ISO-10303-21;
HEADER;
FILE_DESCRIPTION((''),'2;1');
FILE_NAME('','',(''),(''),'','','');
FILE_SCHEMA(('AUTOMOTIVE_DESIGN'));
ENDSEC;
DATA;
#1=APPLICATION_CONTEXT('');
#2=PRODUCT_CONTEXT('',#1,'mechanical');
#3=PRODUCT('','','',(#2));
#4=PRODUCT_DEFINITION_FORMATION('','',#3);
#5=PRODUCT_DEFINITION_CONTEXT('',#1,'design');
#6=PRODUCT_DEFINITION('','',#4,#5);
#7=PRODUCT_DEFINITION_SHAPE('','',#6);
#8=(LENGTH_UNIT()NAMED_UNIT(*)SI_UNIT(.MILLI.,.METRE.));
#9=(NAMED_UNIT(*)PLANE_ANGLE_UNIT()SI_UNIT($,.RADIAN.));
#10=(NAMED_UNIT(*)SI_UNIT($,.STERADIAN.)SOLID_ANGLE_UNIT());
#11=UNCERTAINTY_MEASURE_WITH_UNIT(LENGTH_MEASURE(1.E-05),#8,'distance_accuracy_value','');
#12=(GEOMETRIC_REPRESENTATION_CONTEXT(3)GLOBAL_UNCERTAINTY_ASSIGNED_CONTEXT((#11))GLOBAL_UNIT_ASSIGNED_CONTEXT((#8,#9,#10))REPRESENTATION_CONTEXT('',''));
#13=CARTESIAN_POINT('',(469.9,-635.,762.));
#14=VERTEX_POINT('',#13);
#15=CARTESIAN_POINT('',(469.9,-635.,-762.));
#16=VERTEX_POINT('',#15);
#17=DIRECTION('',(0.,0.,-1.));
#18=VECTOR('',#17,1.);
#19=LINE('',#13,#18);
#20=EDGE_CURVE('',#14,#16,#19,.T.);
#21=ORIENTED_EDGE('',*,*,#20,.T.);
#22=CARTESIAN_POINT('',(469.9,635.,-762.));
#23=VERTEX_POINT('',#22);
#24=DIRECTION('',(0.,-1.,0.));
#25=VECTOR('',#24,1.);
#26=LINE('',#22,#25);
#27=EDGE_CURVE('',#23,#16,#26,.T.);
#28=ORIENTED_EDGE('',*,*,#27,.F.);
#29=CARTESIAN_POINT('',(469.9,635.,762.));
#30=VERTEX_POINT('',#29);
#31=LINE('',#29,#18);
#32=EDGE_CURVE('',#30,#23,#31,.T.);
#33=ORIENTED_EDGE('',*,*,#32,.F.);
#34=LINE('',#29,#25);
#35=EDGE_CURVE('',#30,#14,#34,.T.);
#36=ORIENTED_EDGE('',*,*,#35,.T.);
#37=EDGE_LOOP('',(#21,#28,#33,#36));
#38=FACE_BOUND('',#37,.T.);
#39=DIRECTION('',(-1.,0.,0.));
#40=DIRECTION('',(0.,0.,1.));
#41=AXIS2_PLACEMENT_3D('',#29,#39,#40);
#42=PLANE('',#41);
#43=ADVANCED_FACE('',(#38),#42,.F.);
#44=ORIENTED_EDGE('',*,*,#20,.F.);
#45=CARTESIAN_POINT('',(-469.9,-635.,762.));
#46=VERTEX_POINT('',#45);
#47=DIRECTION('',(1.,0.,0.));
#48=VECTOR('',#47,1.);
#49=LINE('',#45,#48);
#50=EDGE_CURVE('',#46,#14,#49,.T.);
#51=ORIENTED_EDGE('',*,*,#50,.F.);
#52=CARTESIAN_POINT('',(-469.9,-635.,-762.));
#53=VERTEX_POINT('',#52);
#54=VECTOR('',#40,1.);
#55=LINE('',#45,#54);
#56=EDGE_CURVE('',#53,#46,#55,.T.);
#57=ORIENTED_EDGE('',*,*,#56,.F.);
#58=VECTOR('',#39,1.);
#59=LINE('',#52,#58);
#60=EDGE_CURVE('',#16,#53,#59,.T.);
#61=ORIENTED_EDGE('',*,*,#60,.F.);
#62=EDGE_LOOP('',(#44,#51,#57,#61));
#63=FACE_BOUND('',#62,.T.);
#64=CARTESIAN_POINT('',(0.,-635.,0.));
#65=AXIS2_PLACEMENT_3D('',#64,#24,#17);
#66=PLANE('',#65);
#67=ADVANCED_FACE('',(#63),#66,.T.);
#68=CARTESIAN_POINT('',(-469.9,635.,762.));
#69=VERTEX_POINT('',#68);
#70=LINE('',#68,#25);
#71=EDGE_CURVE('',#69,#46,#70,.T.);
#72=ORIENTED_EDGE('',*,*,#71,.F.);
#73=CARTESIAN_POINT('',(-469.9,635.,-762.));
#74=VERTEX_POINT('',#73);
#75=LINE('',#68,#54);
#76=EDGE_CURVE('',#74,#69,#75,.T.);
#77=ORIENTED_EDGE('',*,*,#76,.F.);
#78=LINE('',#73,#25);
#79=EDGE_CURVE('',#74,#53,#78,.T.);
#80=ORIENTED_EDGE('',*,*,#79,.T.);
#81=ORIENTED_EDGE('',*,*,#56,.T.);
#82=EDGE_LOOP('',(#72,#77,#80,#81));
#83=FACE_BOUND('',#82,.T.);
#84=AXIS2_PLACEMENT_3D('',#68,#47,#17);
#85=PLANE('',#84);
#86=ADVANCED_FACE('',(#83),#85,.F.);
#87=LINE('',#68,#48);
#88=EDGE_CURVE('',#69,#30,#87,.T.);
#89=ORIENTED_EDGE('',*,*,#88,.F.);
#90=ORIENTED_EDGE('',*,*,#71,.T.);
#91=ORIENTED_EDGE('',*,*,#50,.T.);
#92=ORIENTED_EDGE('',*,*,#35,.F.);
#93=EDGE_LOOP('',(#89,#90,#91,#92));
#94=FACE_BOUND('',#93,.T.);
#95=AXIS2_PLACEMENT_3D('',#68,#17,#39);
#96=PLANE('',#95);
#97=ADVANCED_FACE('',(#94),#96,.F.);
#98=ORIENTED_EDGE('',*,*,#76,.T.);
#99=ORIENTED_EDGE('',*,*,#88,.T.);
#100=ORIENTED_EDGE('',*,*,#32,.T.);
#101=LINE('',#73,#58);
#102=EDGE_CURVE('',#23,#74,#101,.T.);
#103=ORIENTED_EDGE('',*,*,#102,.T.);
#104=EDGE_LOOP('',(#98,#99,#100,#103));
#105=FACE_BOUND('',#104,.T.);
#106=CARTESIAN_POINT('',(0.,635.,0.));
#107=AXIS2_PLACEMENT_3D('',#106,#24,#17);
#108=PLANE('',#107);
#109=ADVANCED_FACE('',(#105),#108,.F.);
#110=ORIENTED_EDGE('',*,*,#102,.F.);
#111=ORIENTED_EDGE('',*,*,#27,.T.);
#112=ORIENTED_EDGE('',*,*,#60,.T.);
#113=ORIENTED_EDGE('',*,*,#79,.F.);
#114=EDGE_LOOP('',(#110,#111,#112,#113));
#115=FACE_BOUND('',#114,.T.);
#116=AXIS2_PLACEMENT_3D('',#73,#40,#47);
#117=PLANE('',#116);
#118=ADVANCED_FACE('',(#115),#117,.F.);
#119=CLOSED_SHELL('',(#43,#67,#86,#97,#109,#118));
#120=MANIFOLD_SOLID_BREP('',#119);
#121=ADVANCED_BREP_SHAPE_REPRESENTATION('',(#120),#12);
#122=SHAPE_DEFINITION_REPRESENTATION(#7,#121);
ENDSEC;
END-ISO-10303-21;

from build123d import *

# Parameters (mm, degrees)
SKETCH1_W           = 939.8
SKETCH1_H           = 1524
BOSS_EXTRUDE1_DEPTH = 635


with BuildPart() as part:
    # Sketch1 → Boss-Extrude1 (new body, symmetric)
    with BuildSketch(Plane(origin=(0, 0, 0), x_dir=(1, 0, 0), z_dir=(0, 1, 0))):
        Rectangle(SKETCH1_W, SKETCH1_H)
    extrude(amount=BOSS_EXTRUDE1_DEPTH, both=True)


solid = part.part
